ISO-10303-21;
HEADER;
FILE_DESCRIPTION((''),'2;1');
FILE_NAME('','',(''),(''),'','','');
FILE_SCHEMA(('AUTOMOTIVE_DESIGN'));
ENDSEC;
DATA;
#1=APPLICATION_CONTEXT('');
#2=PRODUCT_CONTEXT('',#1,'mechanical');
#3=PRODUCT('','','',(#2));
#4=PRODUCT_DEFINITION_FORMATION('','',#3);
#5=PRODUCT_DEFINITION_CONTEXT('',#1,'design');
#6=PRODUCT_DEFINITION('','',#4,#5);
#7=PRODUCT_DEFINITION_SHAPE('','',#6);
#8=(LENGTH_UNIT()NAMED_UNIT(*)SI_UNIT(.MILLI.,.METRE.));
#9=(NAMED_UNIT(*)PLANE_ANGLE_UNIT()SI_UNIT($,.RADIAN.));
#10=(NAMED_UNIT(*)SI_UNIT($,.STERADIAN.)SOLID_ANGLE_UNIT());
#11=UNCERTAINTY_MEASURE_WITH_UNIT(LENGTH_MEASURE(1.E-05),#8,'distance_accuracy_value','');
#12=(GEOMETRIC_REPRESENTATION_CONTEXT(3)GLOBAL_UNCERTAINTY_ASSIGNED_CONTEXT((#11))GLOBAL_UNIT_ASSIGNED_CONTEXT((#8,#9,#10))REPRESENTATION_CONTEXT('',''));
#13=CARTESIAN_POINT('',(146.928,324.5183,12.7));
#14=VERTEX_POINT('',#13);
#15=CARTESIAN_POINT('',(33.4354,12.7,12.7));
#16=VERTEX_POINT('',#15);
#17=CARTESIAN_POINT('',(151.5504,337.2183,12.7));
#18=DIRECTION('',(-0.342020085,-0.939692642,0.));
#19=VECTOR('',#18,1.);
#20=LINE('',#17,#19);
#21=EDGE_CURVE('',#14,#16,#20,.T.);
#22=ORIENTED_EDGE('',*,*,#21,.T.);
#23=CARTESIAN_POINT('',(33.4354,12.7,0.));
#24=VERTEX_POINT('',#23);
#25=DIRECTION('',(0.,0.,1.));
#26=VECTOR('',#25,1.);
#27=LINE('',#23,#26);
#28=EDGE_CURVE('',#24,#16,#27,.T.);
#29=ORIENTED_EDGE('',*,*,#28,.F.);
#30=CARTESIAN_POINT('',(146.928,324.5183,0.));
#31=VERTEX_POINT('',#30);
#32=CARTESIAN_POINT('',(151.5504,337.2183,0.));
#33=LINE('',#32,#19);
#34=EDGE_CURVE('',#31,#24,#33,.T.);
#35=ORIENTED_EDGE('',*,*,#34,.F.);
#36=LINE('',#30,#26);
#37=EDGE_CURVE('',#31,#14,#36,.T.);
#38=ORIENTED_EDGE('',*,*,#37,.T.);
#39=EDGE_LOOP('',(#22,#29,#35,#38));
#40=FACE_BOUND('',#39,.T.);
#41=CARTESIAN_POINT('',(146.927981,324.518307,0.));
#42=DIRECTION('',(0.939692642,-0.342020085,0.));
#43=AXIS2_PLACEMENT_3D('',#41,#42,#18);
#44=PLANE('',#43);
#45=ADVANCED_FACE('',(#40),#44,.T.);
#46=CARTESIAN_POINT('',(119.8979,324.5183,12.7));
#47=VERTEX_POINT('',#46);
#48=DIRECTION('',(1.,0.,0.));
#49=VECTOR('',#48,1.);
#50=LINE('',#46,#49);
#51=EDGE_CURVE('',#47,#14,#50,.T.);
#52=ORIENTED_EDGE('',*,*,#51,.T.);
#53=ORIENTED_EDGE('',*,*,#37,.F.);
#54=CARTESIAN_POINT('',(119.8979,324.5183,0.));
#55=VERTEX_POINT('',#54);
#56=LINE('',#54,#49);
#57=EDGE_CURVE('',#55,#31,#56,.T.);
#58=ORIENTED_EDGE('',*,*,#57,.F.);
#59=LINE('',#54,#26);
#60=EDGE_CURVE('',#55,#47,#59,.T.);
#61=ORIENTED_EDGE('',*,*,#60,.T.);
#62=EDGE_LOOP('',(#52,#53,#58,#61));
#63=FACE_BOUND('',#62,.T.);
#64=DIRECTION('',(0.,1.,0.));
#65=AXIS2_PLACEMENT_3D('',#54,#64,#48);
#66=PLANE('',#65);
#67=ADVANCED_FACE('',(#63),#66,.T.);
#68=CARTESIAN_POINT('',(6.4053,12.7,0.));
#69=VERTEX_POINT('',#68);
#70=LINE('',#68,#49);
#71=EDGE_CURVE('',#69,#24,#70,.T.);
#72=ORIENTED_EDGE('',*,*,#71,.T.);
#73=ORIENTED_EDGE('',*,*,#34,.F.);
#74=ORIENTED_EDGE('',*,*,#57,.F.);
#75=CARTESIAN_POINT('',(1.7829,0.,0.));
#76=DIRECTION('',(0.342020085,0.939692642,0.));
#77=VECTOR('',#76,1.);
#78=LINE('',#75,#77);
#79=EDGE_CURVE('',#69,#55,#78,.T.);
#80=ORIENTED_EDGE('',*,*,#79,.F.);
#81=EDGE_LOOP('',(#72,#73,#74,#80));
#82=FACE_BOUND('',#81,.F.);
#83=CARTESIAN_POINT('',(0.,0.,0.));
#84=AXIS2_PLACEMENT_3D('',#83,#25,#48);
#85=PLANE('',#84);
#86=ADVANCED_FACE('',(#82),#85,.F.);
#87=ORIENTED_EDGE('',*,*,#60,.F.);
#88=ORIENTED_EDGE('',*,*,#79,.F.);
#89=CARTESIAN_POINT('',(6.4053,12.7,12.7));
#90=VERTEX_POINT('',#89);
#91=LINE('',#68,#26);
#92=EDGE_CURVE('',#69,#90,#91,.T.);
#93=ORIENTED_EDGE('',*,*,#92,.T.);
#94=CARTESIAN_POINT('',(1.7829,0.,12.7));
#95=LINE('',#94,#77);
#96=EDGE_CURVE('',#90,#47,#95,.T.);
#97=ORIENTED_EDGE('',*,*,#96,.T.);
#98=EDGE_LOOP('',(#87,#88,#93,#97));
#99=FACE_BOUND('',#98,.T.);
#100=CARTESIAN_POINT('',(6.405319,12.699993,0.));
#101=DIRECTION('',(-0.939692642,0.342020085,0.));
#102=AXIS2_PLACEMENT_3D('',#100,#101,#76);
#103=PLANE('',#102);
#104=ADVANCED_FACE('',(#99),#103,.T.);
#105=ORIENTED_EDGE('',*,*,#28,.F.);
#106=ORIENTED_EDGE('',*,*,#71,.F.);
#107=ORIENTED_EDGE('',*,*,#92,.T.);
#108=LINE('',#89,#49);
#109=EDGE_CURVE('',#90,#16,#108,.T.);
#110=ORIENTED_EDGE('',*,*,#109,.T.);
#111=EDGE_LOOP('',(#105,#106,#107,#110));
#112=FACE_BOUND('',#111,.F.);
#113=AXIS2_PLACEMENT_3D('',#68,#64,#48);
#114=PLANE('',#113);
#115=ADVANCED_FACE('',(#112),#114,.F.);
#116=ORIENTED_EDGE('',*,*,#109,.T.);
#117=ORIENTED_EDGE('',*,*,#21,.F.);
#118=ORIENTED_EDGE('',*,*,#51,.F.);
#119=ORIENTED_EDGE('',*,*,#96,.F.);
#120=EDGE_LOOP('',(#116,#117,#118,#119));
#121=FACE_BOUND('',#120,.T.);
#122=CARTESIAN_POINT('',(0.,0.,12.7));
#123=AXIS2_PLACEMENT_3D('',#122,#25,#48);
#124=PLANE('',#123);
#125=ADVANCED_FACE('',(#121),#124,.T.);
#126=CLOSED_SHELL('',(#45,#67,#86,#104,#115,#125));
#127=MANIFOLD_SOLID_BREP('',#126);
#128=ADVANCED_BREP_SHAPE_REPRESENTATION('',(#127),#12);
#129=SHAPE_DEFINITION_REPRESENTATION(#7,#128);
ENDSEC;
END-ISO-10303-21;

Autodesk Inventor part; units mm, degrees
ref_plane "YZ Plane" through (0, 0, 0) normal (1, 0, 0) x (0, 1, 0)
ref_plane "XZ Plane" through (0, 0, 0) normal (0, 1, 0) x (-1, 0, 0)
ref_plane "XY Plane" through (0, 0, 0) normal (0, 0, 1) x (1, 0, 0)
sketch "Sketch1" plane through (0, 0, 0) normal (0, 0, 1) x (1, 0, 0)
  line L0 (0, 0) -> (0, 50.8)
  line L1 (0, 50.8) -> (104.2477, 337.2183)
  line L2 (0, 50.8) -> (304.8, 50.8) construction
  line L3 (104.2477, 337.2183) -> (304.8, 337.2183)
  line L4 (304.8, 337.2183) -> (304.8, 0)
  line L5 (304.8, 0) -> (0, 0)
  line L6 (1.7829, 0) -> (124.5203, 337.2183)
  line L7 (151.5504, 337.2183) -> (28.813, 0)
  line L8 (6.4053, 12.7) -> (33.4354, 12.7)
  line L9 (119.8979, 324.5183) -> (146.928, 324.5183)
  dimension "d0" = 50.8
  dimension "d1" = 304.8
  dimension "d2" = 70
  dimension "d6" = 304.8
  dimension "d7" = 19.05
  dimension "d8" = 25.4
  dimension "d9" = 12.7
  dimension "d10" = 12.7
extrude "Extrusion1" add sketch "Sketch1" along normal blind 12.7 contours L6 L9 L7 L8
properties material "MDF Medium Density Fiberboard"
